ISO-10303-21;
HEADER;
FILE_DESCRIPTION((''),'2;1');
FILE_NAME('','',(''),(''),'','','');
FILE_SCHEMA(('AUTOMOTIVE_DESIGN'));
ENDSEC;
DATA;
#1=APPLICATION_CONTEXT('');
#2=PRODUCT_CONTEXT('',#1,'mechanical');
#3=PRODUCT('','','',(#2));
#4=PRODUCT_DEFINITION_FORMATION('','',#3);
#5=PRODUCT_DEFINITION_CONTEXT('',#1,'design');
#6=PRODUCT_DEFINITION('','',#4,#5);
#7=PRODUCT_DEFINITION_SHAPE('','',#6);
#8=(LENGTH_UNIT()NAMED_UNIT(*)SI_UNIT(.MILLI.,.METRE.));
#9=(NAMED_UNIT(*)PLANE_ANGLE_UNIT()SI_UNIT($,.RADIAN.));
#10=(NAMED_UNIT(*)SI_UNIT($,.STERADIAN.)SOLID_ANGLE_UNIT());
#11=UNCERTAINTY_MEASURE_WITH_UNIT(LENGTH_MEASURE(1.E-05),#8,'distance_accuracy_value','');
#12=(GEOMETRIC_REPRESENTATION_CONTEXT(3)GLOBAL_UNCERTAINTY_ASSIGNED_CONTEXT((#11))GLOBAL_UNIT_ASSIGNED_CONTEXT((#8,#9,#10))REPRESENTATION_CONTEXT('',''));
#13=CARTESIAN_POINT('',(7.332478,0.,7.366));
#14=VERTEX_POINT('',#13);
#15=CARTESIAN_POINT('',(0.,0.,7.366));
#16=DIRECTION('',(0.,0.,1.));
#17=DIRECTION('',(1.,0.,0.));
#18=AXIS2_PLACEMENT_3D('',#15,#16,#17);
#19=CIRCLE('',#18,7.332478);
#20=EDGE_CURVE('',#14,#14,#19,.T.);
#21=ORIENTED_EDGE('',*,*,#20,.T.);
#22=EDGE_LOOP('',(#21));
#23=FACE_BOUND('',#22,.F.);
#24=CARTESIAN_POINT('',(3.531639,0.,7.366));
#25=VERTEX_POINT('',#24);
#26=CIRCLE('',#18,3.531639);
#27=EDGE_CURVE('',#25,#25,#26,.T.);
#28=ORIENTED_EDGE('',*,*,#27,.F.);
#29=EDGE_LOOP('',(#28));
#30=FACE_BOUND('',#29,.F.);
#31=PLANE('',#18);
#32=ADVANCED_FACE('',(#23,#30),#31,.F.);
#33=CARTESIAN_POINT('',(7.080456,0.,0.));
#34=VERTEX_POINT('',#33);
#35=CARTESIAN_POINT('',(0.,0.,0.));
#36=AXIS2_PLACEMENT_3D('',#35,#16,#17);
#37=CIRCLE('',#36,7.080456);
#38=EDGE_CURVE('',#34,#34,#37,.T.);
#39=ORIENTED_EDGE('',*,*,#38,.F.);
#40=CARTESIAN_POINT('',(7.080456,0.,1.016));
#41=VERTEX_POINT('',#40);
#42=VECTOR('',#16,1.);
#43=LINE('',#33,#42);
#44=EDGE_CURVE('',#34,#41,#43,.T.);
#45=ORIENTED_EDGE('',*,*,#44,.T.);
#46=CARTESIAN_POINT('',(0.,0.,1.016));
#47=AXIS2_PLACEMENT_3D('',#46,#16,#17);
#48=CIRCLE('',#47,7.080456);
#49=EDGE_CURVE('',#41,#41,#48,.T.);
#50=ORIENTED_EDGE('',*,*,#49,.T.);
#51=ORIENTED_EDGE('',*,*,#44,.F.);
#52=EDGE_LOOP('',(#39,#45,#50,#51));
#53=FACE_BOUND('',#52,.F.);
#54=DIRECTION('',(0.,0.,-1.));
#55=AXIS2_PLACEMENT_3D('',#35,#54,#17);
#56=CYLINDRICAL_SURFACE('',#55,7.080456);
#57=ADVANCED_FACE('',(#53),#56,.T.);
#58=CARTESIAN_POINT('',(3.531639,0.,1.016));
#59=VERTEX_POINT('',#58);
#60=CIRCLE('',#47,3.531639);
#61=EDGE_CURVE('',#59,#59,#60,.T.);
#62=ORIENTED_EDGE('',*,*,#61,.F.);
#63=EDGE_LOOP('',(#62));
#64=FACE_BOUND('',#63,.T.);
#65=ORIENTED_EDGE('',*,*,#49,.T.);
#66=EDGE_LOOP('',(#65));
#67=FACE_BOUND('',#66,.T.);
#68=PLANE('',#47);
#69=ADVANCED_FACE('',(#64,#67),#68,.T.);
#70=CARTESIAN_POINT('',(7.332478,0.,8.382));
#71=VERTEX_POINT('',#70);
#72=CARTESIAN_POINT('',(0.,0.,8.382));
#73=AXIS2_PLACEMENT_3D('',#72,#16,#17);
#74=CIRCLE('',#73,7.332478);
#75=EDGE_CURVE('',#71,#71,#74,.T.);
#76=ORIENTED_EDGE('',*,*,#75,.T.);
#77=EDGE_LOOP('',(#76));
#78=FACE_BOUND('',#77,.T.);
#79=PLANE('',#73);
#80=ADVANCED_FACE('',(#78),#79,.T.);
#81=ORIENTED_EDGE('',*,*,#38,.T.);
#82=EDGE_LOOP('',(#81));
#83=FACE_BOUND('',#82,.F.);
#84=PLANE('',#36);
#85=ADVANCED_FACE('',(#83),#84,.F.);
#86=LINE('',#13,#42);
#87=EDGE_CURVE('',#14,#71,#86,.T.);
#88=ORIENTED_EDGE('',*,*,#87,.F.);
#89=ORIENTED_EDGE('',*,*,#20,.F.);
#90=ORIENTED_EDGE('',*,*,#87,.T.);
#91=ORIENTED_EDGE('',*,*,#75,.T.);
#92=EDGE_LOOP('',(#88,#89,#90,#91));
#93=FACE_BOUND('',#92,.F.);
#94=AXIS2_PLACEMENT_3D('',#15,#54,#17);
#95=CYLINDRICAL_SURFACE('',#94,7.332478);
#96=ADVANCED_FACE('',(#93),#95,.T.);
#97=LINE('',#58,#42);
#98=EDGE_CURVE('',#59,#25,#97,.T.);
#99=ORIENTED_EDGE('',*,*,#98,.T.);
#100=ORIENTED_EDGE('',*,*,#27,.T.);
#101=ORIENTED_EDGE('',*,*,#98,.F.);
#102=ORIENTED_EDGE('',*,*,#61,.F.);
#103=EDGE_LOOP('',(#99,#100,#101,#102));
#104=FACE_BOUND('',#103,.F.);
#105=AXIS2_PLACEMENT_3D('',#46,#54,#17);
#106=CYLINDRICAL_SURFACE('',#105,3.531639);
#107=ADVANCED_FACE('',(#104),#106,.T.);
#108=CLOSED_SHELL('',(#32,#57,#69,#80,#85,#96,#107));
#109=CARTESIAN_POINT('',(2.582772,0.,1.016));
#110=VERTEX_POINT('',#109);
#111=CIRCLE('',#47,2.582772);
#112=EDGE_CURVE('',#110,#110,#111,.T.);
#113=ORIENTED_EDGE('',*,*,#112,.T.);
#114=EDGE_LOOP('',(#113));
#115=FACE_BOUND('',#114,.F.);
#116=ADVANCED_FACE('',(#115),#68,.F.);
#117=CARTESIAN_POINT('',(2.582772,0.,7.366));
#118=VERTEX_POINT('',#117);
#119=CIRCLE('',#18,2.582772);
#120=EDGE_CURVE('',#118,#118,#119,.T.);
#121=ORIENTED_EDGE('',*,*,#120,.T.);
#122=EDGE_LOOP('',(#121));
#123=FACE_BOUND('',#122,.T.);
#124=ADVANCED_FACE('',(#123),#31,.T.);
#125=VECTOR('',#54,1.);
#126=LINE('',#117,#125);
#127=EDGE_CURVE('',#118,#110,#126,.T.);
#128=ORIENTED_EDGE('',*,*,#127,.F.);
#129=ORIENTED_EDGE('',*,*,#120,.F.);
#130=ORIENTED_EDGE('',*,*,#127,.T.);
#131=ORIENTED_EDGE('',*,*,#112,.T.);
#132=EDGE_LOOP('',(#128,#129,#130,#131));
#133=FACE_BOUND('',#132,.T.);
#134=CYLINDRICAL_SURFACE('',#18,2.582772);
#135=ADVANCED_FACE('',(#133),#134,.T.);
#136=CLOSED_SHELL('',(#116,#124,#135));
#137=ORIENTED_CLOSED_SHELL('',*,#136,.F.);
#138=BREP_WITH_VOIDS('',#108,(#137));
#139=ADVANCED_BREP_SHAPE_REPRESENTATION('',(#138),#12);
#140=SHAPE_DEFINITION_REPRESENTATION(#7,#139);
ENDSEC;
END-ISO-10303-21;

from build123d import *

# Parameters (mm, degrees)
F0_R     = 7.080456
F1_DEPTH = 1.016
F2_R     = 3.531639
F3_DEPTH = 6.35
F4_R     = 2.582772
F5_DEPTH = 6.35
F6_R     = 7.332478
F7_DEPTH = 1.016


with BuildPart() as f1:
    # F0 (on Top) → F1 (new body)
    with BuildSketch(Plane.XY):
        Circle(F0_R)
    extrude(amount=F1_DEPTH)

    # F2 (on face) → F3 (join)
    with BuildSketch(Plane.XY.offset(1.016)):
        Circle(F2_R)
    extrude(amount=F3_DEPTH)

    # F4 (on face) → F5 (cut)
    with BuildSketch(Plane.XY.offset(7.366)):
        Circle(F4_R)
    extrude(amount=-F5_DEPTH, mode=Mode.SUBTRACT)

    # F6 (on face) → F7 (join)
    with BuildSketch(Plane.XY.offset(7.366)):
        Circle(F6_R)
    extrude(amount=F7_DEPTH)


solid = f1.part
